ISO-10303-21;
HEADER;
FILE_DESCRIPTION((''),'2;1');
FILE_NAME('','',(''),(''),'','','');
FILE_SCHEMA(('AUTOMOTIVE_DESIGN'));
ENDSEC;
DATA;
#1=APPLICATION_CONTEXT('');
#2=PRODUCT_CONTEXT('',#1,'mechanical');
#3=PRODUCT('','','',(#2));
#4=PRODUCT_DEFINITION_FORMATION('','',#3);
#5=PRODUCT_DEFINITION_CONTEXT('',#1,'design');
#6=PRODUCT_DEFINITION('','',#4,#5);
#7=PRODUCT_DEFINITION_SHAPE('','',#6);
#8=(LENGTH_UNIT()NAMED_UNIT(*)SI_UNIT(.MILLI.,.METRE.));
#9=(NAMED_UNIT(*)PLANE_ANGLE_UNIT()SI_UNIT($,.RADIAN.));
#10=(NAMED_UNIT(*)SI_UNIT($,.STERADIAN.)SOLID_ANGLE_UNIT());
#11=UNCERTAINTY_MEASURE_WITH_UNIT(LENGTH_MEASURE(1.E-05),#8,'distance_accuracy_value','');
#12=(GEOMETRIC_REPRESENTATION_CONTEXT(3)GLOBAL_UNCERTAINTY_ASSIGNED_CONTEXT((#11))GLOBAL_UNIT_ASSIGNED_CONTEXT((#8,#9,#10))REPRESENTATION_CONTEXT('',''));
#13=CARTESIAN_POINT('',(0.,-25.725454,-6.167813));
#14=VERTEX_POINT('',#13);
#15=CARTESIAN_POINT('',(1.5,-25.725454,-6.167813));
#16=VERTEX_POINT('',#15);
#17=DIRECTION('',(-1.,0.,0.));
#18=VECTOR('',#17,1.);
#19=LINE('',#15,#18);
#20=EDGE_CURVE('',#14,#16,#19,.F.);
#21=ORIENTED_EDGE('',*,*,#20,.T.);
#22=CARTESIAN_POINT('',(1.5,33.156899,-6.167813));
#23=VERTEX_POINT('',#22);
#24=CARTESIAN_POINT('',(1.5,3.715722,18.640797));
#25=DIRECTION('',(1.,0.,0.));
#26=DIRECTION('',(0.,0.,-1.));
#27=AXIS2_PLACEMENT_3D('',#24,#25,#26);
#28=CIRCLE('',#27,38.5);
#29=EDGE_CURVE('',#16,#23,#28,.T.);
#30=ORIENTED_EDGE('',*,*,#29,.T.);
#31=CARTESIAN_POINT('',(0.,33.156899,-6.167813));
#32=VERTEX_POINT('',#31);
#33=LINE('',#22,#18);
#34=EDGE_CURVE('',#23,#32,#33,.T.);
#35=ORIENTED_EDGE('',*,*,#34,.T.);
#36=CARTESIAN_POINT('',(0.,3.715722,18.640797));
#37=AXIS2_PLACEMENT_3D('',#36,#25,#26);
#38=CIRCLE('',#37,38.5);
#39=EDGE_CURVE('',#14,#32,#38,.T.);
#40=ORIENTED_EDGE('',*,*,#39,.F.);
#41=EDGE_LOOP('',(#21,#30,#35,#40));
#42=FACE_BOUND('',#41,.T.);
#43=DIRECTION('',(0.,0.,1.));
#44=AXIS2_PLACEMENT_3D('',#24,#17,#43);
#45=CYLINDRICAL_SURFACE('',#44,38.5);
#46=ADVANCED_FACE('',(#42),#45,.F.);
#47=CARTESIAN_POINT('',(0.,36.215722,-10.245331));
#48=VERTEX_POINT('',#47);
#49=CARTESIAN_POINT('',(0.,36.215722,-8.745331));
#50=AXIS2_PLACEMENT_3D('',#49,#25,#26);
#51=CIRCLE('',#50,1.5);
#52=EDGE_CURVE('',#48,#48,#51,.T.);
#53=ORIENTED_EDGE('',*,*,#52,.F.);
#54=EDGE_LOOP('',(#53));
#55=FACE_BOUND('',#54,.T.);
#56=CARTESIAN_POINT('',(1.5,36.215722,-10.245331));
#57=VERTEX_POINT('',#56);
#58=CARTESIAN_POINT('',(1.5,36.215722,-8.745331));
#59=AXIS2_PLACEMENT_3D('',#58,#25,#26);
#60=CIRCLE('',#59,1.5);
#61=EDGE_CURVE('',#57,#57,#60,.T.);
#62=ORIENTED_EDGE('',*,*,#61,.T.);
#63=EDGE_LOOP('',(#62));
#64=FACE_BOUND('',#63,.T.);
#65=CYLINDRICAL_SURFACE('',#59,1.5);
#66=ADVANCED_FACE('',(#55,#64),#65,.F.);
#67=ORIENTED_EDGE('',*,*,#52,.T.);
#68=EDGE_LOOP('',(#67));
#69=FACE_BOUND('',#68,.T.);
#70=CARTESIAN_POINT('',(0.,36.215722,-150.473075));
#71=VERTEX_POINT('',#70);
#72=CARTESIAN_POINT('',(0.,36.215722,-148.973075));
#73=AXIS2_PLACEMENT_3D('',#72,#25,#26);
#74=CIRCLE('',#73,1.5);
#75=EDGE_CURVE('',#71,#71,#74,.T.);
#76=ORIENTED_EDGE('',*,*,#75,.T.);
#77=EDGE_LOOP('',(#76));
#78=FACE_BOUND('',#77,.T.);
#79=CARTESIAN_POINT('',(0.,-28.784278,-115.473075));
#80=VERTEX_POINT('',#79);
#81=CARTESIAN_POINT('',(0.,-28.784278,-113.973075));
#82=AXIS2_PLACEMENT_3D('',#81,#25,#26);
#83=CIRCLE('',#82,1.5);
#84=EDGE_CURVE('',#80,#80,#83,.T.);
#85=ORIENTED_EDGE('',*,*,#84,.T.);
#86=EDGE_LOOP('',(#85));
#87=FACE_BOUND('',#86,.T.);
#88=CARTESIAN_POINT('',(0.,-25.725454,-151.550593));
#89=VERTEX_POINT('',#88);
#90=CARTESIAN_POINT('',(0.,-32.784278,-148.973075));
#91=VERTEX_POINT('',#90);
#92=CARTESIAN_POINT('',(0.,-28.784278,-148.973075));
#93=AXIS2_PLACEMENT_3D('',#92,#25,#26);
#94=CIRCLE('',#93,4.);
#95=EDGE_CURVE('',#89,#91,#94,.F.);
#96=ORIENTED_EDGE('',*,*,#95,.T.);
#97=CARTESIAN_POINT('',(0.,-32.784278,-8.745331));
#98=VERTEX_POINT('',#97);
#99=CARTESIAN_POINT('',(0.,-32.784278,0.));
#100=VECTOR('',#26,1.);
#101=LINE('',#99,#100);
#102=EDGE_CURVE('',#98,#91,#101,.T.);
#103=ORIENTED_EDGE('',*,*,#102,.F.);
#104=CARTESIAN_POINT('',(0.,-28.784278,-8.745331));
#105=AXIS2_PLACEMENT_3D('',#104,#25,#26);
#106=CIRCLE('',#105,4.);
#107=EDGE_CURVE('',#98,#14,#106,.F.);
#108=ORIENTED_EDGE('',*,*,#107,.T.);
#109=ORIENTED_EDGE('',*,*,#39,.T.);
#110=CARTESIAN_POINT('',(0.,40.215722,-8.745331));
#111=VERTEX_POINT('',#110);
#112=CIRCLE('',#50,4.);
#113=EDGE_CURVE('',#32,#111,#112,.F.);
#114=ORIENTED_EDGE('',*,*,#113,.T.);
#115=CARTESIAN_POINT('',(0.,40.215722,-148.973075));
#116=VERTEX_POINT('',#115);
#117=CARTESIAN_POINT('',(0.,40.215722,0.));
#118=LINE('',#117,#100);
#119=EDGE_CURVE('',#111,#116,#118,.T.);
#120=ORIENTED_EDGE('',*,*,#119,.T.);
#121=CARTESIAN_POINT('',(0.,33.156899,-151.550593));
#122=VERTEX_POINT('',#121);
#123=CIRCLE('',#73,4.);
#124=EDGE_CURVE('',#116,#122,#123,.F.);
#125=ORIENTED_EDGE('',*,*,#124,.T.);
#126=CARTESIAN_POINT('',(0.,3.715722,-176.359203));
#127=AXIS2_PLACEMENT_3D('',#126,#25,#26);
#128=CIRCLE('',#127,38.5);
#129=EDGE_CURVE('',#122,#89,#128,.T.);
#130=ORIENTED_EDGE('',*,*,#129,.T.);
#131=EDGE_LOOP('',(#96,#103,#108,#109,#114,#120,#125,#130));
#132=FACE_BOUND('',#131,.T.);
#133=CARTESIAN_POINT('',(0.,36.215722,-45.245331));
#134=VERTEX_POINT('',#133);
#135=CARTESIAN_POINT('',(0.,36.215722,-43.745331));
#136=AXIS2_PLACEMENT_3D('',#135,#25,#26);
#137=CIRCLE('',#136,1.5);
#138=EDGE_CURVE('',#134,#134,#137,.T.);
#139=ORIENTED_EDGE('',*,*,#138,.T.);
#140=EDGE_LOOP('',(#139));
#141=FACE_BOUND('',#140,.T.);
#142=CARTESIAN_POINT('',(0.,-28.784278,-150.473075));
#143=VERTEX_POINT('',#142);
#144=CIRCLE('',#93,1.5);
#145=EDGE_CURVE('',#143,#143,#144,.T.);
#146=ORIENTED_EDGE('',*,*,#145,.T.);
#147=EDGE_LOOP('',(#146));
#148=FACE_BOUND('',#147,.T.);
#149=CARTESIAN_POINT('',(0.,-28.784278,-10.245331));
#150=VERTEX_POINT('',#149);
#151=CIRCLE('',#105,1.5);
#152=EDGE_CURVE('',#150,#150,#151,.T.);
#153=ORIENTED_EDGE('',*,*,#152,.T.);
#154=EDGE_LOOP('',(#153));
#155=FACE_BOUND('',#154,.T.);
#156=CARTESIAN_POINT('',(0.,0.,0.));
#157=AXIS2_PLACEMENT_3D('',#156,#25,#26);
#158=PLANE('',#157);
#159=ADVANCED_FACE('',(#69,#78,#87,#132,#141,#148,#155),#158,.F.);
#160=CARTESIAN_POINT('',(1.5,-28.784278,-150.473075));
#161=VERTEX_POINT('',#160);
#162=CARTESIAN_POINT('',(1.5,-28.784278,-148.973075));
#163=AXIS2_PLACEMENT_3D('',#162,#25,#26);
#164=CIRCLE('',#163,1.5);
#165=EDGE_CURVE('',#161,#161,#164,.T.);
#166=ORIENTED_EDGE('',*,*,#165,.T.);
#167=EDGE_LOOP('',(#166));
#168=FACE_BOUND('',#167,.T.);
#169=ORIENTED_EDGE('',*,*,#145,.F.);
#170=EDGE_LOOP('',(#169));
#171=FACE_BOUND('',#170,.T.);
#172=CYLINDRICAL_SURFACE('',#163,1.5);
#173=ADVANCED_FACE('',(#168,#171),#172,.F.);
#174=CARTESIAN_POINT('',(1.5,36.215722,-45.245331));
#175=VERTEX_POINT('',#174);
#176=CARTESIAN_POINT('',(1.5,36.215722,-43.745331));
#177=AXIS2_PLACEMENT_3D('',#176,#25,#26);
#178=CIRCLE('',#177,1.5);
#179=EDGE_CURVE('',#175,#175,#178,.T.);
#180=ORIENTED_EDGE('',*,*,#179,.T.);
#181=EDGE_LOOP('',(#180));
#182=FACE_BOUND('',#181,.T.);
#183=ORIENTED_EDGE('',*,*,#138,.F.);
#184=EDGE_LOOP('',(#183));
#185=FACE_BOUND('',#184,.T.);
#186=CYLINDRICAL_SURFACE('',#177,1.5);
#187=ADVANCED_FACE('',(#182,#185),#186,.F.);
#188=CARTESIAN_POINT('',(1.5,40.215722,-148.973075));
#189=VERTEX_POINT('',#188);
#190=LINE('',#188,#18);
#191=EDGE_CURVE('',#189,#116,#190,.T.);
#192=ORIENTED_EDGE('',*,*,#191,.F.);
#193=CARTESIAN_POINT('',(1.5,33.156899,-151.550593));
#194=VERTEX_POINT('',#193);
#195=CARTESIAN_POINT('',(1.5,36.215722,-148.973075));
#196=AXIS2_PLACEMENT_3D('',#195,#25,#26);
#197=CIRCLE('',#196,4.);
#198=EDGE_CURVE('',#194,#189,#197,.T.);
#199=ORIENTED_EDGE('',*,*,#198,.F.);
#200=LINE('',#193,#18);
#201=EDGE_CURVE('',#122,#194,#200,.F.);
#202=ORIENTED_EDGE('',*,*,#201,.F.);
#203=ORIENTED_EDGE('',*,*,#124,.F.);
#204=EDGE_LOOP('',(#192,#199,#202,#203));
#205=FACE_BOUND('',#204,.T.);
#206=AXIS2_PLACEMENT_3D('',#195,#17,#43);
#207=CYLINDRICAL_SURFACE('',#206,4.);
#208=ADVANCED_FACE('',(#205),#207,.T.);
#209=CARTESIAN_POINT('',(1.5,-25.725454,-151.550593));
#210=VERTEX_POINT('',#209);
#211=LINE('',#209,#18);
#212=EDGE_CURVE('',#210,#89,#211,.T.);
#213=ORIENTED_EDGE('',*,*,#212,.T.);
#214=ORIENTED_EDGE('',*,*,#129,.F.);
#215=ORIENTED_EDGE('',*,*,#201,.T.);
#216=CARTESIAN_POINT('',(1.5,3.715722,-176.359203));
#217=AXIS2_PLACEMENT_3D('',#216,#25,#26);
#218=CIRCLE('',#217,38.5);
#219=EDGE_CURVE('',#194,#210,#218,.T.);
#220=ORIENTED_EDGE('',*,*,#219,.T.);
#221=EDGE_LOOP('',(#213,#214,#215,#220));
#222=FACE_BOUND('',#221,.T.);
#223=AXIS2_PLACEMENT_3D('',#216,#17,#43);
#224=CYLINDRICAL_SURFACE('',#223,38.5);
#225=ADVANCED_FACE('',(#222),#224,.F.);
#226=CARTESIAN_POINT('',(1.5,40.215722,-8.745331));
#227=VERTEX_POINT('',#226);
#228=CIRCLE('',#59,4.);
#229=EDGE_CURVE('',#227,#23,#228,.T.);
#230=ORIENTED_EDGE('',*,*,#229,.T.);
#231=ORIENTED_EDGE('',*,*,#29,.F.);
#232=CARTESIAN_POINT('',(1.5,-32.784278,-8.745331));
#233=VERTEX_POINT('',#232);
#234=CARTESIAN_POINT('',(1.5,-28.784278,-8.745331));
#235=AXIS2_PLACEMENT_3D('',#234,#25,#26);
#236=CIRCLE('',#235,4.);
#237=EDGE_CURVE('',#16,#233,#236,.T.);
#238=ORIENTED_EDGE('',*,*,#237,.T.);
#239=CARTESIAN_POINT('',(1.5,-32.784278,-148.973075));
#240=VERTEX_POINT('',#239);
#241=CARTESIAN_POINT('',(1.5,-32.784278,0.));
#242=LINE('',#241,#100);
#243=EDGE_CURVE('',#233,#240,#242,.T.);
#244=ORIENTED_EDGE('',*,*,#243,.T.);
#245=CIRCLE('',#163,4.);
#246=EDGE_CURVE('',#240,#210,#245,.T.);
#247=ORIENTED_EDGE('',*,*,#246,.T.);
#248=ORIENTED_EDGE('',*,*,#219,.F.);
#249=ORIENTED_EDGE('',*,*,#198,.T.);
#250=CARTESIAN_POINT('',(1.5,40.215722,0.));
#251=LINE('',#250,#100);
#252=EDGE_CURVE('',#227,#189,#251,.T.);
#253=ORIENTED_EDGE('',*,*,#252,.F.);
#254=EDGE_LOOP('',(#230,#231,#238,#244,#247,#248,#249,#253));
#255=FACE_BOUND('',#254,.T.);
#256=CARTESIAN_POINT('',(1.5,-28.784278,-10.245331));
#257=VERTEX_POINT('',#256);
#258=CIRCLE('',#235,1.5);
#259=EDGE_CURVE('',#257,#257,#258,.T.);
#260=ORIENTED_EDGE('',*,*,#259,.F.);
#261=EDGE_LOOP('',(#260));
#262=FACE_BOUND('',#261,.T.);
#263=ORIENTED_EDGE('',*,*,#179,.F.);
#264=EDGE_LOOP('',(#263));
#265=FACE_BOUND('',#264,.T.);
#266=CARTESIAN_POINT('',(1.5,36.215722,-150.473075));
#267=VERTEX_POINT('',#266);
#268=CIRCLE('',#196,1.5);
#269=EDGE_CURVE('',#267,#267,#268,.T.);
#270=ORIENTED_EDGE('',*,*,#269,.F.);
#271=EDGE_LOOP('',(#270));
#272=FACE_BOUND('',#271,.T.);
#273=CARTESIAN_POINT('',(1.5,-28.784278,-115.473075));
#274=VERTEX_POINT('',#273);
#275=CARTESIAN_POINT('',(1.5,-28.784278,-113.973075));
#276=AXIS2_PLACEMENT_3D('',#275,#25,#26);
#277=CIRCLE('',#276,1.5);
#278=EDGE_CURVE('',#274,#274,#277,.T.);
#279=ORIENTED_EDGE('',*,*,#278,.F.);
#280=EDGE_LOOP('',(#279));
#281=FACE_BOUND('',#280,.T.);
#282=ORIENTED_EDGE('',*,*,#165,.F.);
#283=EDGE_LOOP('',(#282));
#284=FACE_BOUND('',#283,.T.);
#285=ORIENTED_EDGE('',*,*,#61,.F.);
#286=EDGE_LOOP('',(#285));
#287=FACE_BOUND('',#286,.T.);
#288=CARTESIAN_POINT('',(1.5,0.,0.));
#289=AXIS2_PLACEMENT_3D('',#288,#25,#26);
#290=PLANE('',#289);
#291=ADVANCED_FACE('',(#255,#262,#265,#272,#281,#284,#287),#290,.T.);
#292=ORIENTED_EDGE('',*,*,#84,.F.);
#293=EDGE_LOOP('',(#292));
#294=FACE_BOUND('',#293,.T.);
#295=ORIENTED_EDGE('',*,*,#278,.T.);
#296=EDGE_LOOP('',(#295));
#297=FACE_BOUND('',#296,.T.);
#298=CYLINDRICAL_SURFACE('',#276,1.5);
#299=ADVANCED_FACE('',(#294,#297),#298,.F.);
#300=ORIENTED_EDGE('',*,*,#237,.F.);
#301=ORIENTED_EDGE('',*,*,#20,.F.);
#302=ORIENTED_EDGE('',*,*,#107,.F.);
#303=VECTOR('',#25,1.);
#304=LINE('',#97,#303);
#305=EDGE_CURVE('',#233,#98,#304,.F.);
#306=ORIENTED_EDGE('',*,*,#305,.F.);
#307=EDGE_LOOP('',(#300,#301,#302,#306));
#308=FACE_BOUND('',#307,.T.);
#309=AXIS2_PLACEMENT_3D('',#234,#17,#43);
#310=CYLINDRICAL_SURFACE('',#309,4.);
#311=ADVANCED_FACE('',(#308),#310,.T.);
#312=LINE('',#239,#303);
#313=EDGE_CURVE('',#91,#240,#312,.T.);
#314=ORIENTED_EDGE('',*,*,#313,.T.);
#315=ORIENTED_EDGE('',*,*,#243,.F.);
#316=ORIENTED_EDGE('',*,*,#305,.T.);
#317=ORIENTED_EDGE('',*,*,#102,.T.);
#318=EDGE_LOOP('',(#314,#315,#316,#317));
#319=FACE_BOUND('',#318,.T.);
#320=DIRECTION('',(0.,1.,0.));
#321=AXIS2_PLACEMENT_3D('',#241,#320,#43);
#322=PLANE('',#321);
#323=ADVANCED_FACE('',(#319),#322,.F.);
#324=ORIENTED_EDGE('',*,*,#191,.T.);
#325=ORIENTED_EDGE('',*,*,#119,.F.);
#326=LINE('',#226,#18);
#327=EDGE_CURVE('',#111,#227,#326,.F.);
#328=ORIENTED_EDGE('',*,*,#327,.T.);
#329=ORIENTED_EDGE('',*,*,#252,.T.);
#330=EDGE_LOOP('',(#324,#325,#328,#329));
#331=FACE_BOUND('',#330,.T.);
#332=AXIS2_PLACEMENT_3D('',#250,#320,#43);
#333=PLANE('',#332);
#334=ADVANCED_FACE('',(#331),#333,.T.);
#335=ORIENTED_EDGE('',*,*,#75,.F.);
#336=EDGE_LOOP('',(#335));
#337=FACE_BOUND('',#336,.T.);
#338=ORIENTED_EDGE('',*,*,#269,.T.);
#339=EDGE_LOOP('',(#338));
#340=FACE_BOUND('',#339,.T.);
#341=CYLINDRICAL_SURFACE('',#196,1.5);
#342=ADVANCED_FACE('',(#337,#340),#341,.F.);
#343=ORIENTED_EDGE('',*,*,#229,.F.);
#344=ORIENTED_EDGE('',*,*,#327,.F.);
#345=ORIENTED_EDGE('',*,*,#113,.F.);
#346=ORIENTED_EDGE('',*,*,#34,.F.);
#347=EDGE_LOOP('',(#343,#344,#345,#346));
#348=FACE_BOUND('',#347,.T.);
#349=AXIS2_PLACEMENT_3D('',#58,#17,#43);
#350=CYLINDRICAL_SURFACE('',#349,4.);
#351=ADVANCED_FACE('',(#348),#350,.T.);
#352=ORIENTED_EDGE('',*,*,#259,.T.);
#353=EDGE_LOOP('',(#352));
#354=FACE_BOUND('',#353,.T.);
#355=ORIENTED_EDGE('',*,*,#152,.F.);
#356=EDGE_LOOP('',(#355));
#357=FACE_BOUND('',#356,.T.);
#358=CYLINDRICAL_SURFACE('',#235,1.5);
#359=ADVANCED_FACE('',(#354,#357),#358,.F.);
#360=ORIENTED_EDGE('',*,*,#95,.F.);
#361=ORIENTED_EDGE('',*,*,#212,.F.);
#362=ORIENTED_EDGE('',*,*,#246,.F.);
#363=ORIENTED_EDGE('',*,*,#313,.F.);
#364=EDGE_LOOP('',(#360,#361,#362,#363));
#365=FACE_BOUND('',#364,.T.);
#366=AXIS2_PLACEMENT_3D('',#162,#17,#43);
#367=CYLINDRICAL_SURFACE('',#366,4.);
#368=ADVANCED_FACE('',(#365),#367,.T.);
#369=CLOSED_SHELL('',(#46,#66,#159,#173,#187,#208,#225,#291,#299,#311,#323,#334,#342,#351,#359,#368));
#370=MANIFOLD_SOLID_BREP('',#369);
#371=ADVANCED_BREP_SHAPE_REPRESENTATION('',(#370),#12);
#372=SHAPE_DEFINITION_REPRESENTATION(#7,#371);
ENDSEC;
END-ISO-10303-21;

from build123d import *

# Parameters (mm, degrees)
BOSS_EXTRUDE1_DEPTH       = 1.5
FILLET1_R                 = 4
F_3_0MM_DOWEL_HOLE2_D     = 3
F_3_0MM_DOWEL_HOLE2_DEPTH = 17.29
F_3_0MM_DOWEL_HOLE2_TIP   = 0.901290929


with BuildPart() as part:
    # Sketch1 → Boss-Extrude1 (new body)
    with BuildSketch(Plane(origin=(0, 0, 0), x_dir=(0, 0, -1), z_dir=(1, 0, 0))):
        with BuildLine():
            Line((164.111754286, 40.215722327), (-6.393348286, 40.215722327))
            ThreePointArc((-6.393348286, 40.215722327), (12.614416769, 26.195971709), (19.859203, 3.715722327))
            ThreePointArc((19.859203, 3.715722327), (12.614416769, -18.764527055), (-6.393348286, -32.784277673))
            Line((-6.393348286, -32.784277673), (164.111754286, -32.784277673))
            ThreePointArc((164.111754286, -32.784277673), (137.859203, 3.715722327), (164.111754286, 40.215722327))
        make_face()
    extrude(amount=BOSS_EXTRUDE1_DEPTH)

    # Fillet1
    fillet1_edges = [part.edges().sort_by_distance(p)[0] for p in [
        (0.75, -32.784277673, -164.111754286),
        (0.75, -32.784277673, 6.393348286),
        (0.75, 40.215722327, 6.393348286),
        (0.75, 40.215722327, -164.111754286),
    ]]
    fillet(fillet1_edges, radius=FILLET1_R)

    # Ø3.0mm Dowel Hole2
    with Locations(Plane(origin=(1.5, 0, 0), x_dir=(0, 0, -1), z_dir=(1, 0, 0))):
        with Locations((8.745330875, 36.215722327), (148.973075124, 36.215722327), (148.973075124, -28.784277673), (8.745330875, -28.784277673), (43.745330875, 36.215722327), (113.973075124, -28.784277673)):
            Hole(F_3_0MM_DOWEL_HOLE2_D / 2, depth=F_3_0MM_DOWEL_HOLE2_DEPTH)
            with Locations((0, 0, -(F_3_0MM_DOWEL_HOLE2_DEPTH + F_3_0MM_DOWEL_HOLE2_TIP / 2))):  # 118° drill point
                Cone(0, F_3_0MM_DOWEL_HOLE2_D / 2, F_3_0MM_DOWEL_HOLE2_TIP, mode=Mode.SUBTRACT)


solid = part.part
